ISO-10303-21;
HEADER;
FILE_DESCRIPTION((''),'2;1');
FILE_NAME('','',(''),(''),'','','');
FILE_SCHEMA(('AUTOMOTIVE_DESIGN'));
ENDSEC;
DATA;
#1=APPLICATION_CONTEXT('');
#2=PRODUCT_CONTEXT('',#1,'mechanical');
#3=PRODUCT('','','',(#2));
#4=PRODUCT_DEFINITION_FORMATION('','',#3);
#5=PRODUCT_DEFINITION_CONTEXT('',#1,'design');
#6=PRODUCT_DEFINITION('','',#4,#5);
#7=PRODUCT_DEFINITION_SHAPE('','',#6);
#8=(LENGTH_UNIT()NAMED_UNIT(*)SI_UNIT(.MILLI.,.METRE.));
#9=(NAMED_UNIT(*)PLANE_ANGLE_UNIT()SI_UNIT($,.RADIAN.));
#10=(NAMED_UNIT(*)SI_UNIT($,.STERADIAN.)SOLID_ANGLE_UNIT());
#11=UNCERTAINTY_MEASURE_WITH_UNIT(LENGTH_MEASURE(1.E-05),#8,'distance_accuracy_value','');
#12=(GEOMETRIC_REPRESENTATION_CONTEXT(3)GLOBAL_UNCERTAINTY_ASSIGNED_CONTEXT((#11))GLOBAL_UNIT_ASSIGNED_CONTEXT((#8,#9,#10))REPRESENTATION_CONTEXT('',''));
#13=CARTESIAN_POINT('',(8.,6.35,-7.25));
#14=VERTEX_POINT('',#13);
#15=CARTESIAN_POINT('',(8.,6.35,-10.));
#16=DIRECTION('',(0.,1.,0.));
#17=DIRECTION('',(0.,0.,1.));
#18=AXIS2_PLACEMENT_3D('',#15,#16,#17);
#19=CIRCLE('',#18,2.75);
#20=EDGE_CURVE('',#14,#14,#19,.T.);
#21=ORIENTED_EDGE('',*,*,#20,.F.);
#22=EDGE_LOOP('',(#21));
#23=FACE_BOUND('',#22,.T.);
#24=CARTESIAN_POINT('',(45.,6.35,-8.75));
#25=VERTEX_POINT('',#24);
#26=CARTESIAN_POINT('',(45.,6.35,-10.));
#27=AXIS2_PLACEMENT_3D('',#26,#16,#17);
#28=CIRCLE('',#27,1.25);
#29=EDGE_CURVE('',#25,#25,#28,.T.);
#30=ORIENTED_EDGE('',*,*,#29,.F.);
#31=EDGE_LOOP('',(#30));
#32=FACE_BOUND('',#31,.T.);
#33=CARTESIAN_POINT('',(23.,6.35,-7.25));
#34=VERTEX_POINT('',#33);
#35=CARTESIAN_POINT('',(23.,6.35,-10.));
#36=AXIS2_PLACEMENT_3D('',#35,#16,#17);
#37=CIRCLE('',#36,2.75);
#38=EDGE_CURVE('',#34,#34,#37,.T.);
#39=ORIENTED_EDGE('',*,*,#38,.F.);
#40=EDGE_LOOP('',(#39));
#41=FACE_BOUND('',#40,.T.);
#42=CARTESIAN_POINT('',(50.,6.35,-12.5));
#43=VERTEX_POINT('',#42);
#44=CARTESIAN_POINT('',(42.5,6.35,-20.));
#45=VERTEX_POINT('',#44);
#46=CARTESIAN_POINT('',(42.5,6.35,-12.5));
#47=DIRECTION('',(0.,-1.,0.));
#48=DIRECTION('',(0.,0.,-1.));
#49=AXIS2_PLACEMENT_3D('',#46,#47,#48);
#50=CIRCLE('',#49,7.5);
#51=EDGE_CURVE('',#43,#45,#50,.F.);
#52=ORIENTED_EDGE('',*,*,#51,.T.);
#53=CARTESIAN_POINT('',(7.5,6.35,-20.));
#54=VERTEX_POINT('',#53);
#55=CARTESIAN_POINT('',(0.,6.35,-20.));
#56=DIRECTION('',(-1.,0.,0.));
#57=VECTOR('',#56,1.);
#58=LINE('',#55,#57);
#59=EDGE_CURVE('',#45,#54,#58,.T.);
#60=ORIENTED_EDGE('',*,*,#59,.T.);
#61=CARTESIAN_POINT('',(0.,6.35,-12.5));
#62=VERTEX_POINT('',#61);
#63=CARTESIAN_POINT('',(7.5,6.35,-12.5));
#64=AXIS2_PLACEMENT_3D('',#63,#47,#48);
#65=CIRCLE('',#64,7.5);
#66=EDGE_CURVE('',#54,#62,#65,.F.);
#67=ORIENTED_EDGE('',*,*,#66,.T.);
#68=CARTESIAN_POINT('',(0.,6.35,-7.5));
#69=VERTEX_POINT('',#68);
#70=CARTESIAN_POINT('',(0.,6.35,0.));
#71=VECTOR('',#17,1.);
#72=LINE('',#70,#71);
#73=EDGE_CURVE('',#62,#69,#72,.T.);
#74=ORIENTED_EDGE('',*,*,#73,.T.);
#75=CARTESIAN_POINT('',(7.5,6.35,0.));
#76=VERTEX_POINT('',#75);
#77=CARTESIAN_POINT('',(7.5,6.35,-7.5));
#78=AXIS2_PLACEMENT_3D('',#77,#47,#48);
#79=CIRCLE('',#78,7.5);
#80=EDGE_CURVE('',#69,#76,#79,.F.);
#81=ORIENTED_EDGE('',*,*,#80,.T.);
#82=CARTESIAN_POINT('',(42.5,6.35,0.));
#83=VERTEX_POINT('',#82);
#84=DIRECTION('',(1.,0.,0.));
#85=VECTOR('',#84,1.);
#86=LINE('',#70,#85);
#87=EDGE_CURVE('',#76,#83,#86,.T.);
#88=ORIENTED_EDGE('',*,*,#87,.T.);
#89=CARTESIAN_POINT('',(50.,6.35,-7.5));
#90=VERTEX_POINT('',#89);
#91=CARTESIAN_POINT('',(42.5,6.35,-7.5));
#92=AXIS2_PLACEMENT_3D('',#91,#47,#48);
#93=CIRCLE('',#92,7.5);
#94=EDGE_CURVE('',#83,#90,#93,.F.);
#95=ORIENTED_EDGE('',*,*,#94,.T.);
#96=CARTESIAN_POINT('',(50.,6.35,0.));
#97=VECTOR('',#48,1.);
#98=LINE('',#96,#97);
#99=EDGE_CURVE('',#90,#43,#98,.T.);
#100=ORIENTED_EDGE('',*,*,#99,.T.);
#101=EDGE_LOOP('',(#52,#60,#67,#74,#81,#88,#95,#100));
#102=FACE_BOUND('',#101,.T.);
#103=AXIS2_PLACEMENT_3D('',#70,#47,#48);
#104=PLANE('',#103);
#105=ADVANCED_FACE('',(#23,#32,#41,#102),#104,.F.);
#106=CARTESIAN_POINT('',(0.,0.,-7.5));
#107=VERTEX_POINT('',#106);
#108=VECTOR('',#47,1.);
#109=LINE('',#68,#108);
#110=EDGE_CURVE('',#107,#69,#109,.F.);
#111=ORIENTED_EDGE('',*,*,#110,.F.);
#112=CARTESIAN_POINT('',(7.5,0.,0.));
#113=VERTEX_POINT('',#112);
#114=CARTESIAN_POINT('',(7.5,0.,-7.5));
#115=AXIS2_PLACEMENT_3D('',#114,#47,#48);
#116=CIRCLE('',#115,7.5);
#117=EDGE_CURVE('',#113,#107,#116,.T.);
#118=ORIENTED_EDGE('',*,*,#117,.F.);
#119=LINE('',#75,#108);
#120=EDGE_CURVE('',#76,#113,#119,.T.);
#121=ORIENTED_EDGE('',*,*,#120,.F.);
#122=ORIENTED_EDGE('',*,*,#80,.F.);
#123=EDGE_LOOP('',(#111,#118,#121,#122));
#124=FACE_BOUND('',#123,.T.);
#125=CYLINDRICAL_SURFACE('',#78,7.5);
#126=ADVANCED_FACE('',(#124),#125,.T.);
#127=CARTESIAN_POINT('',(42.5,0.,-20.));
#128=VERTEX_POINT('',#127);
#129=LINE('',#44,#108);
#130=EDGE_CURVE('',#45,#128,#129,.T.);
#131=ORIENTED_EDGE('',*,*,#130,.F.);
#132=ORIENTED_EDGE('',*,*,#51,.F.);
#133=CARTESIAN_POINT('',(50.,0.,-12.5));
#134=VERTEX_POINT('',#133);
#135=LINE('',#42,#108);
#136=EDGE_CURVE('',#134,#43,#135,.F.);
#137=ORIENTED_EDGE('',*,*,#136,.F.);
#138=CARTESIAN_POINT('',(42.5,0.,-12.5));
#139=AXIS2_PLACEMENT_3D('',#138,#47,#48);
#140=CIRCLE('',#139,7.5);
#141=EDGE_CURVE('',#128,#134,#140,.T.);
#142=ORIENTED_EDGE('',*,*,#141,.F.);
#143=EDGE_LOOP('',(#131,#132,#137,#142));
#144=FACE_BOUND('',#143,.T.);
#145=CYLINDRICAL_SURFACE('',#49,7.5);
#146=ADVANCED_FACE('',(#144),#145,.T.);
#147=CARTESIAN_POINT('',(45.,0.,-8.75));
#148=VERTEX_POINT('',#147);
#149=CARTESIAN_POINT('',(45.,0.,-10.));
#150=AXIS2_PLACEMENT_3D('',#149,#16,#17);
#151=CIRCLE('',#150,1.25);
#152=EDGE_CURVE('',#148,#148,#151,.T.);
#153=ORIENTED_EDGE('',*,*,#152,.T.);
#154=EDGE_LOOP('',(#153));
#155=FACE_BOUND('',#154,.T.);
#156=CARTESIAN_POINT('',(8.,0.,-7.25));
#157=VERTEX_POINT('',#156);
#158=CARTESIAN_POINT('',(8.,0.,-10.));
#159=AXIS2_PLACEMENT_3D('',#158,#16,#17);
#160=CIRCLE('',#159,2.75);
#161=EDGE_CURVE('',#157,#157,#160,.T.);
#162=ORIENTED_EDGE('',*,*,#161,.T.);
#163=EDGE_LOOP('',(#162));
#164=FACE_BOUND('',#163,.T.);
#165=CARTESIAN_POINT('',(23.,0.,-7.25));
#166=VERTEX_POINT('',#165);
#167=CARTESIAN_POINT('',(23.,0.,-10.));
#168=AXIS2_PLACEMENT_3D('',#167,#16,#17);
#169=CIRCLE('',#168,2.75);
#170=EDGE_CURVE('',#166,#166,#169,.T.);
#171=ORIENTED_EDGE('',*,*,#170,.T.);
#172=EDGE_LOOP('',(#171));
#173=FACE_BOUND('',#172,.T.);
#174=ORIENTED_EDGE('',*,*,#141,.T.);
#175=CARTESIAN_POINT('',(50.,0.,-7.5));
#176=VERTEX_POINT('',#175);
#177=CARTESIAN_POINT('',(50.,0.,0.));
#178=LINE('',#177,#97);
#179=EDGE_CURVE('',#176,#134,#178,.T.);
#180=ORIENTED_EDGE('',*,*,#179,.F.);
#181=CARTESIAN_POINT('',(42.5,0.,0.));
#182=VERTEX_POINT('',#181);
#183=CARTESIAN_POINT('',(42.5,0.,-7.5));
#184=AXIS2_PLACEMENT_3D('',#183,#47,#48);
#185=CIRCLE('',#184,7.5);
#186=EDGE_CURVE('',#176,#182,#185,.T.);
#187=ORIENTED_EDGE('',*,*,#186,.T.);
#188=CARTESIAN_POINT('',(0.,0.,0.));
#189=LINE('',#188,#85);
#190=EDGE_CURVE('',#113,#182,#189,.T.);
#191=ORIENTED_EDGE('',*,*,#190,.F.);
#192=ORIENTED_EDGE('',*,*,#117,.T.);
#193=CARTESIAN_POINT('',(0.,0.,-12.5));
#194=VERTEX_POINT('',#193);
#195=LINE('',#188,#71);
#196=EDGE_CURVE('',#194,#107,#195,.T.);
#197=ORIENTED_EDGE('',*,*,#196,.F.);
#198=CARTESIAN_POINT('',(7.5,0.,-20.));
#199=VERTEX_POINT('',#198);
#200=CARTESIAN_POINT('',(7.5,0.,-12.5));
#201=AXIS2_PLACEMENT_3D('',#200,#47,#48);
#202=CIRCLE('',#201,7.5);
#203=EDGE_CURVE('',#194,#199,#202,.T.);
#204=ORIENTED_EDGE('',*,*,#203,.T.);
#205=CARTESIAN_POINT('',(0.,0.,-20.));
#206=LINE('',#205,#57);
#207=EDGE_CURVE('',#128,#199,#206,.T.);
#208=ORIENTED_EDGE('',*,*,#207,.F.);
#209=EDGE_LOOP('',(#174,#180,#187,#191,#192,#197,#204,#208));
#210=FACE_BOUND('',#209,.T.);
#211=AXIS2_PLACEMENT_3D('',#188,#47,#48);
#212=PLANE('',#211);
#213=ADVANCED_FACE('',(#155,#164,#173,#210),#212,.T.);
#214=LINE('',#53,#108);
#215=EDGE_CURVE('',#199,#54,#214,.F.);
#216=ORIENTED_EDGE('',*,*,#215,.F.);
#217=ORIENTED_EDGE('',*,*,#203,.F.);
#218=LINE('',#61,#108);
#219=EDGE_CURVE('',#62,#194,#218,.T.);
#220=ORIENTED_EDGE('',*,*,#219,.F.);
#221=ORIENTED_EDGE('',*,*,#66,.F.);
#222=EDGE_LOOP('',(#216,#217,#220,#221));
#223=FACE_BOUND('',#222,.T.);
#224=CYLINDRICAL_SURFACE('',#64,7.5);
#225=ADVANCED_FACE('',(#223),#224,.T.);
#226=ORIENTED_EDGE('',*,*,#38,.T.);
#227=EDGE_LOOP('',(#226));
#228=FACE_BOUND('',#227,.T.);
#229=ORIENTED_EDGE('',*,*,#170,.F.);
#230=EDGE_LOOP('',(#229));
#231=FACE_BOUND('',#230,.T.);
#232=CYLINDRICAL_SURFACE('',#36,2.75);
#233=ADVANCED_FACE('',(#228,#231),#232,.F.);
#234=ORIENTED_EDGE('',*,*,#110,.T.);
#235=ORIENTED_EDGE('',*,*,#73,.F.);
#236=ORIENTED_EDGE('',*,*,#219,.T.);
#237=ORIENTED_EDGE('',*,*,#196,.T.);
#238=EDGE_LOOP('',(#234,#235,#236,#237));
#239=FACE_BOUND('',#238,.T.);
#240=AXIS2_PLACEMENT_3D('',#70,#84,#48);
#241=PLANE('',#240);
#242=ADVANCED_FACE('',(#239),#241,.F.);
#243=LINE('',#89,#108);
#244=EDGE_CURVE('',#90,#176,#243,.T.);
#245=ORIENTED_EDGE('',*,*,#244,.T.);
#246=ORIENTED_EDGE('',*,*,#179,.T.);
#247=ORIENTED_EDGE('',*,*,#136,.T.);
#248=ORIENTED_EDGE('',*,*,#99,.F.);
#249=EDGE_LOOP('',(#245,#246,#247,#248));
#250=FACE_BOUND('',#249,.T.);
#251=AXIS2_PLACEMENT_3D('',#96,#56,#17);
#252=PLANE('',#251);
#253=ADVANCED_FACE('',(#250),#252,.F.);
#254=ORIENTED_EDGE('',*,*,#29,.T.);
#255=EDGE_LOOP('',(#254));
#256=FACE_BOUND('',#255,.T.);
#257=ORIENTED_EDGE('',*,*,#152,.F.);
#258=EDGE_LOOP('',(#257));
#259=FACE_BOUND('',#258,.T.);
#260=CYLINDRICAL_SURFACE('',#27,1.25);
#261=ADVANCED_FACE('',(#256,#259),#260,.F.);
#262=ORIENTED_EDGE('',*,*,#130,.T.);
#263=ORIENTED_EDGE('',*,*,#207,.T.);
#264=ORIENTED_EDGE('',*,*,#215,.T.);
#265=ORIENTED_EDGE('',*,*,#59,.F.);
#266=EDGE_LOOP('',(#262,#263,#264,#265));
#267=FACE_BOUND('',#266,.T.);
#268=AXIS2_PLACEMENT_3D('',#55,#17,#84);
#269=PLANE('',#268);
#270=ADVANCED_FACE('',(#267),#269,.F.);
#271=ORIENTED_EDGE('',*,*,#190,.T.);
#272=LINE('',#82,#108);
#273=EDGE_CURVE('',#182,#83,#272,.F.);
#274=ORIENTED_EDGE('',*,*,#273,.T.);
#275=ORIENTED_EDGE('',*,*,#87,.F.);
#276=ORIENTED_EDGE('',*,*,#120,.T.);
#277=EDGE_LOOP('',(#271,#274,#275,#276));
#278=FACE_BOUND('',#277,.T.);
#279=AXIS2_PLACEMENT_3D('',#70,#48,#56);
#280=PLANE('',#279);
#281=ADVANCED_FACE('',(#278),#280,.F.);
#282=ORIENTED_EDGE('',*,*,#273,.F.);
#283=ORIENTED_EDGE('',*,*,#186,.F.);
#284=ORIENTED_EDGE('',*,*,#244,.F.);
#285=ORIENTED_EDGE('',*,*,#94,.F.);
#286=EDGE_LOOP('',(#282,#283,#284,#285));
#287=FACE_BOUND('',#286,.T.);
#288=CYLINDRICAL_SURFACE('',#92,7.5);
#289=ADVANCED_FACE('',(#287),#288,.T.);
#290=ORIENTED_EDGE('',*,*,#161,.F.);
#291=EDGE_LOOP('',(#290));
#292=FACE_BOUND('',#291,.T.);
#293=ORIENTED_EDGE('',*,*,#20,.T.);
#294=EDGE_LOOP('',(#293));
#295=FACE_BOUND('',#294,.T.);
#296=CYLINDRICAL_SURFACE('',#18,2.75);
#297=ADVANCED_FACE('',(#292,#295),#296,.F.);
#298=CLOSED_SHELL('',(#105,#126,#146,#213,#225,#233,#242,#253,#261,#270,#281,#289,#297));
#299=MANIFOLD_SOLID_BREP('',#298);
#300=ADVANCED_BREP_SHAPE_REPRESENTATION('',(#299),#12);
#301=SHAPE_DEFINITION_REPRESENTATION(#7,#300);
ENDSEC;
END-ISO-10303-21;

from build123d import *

# Parameters (mm, degrees)
SKETCH2_W                       = 50
SKETCH2_H                       = 20
BOSS_EXTRUDE1_DEPTH             = 6.35
M5_CLEARANCE_HOLE1_D            = 5.5
TAP_DRILL_FOR_M3X0_5_TAP1_D     = 2.5
TAP_DRILL_FOR_M3X0_5_TAP1_DEPTH = 6.35
TAP_DRILL_FOR_M3X0_5_TAP1_TIP   = 0.751075774
FILLET1_R                       = 7.5


with BuildPart() as part:
    # Sketch2 → Boss-Extrude1 (new body)
    with BuildSketch(Plane(origin=(0, 0, 0), x_dir=(1, 0, 0), z_dir=(0, 1, 0))):
        with Locations((25, 10)):
            Rectangle(SKETCH2_W, SKETCH2_H)
    extrude(amount=BOSS_EXTRUDE1_DEPTH)

    # M5 Clearance Hole1 (through all)
    with Locations(Plane(origin=(8, 6.35, -10), x_dir=(0, 0, 1), z_dir=(0, 1, 0))):
        with Locations((0, 0), (0, 15)):
            Hole(M5_CLEARANCE_HOLE1_D / 2)

    # Tap Drill for M3x0.5 Tap1
    with Locations(Plane(origin=(45, 6.35, -10), x_dir=(0, 0, 1), z_dir=(0, 1, 0))):
        with Locations((0, 0)):
            Hole(TAP_DRILL_FOR_M3X0_5_TAP1_D / 2, depth=TAP_DRILL_FOR_M3X0_5_TAP1_DEPTH)
            with Locations((0, 0, -(TAP_DRILL_FOR_M3X0_5_TAP1_DEPTH + TAP_DRILL_FOR_M3X0_5_TAP1_TIP / 2))):  # 118° drill point
                Cone(0, TAP_DRILL_FOR_M3X0_5_TAP1_D / 2, TAP_DRILL_FOR_M3X0_5_TAP1_TIP, mode=Mode.SUBTRACT)

    # Fillet1
    fillet1_edges = [part.edges().sort_by_distance(p)[0] for p in [
        (0, 3.175, -20),
        (50, 3.175, -20),
        (50, 3.175, 0),
        (0, 3.175, 0),
    ]]
    fillet(fillet1_edges, radius=FILLET1_R)


solid = part.part
